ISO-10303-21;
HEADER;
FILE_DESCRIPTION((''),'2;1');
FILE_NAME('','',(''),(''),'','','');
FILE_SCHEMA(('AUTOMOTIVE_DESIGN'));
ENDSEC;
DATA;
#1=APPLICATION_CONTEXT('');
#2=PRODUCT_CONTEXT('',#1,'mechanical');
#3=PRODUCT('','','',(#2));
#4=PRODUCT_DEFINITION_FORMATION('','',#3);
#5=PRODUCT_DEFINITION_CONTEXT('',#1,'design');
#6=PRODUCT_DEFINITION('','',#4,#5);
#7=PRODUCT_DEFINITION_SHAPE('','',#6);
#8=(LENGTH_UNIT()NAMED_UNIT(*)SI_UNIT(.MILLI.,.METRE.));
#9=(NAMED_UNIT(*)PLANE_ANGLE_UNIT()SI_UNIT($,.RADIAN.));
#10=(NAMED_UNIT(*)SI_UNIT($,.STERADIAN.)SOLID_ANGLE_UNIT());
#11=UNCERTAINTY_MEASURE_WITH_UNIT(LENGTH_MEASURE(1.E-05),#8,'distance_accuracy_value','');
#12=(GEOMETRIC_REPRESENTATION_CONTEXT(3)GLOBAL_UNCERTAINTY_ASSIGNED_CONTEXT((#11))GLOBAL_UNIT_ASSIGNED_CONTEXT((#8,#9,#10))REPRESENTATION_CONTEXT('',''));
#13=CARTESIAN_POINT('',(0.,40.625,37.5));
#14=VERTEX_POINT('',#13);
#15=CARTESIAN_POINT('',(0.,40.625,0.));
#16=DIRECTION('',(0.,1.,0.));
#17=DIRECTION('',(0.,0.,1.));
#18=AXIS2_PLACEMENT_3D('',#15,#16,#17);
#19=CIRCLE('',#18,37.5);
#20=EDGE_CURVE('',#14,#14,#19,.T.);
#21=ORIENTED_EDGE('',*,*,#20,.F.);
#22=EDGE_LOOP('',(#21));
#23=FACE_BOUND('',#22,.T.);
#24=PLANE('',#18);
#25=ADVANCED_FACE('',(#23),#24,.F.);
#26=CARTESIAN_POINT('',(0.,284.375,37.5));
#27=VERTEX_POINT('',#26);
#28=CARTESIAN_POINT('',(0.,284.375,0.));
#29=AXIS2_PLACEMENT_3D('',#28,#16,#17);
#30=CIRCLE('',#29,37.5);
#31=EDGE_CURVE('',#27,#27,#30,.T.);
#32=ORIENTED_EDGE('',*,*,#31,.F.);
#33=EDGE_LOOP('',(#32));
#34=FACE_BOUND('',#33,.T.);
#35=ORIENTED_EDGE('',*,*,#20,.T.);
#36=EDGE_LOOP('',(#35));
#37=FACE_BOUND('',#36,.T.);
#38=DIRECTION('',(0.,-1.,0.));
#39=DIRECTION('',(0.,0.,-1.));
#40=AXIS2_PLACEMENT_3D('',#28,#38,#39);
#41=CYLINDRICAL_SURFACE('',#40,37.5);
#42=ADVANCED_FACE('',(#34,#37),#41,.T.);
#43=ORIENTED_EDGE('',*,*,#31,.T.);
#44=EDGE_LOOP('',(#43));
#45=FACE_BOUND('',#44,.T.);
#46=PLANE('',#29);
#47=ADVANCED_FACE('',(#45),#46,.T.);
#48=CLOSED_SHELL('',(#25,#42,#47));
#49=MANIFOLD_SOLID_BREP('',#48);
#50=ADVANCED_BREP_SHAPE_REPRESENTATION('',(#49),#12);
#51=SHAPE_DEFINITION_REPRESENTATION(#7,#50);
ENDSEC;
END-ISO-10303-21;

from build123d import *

# Parameters (mm, degrees)
SKETCH1_R           = 50
BOSS_EXTRUDE1_DEPTH = 325
SCALE1_SCALE        = 0.75


with BuildPart() as part:
    # Sketch1 → Boss-Extrude1 (new body)
    with BuildSketch(Plane(origin=(0, 0, 0), x_dir=(1, 0, 0), z_dir=(0, 1, 0))):
        with Locations(Location((0, 0, 0), (0, 0, 270))):
            Circle(SKETCH1_R)
    extrude(amount=BOSS_EXTRUDE1_DEPTH)


with BuildPart() as part_1:
    # Scale1: scaled about (0, 162.5, 0)
    add(part.part.scale(SCALE1_SCALE).moved(Location((0, 40.625, 0))))


solid = part_1.part
